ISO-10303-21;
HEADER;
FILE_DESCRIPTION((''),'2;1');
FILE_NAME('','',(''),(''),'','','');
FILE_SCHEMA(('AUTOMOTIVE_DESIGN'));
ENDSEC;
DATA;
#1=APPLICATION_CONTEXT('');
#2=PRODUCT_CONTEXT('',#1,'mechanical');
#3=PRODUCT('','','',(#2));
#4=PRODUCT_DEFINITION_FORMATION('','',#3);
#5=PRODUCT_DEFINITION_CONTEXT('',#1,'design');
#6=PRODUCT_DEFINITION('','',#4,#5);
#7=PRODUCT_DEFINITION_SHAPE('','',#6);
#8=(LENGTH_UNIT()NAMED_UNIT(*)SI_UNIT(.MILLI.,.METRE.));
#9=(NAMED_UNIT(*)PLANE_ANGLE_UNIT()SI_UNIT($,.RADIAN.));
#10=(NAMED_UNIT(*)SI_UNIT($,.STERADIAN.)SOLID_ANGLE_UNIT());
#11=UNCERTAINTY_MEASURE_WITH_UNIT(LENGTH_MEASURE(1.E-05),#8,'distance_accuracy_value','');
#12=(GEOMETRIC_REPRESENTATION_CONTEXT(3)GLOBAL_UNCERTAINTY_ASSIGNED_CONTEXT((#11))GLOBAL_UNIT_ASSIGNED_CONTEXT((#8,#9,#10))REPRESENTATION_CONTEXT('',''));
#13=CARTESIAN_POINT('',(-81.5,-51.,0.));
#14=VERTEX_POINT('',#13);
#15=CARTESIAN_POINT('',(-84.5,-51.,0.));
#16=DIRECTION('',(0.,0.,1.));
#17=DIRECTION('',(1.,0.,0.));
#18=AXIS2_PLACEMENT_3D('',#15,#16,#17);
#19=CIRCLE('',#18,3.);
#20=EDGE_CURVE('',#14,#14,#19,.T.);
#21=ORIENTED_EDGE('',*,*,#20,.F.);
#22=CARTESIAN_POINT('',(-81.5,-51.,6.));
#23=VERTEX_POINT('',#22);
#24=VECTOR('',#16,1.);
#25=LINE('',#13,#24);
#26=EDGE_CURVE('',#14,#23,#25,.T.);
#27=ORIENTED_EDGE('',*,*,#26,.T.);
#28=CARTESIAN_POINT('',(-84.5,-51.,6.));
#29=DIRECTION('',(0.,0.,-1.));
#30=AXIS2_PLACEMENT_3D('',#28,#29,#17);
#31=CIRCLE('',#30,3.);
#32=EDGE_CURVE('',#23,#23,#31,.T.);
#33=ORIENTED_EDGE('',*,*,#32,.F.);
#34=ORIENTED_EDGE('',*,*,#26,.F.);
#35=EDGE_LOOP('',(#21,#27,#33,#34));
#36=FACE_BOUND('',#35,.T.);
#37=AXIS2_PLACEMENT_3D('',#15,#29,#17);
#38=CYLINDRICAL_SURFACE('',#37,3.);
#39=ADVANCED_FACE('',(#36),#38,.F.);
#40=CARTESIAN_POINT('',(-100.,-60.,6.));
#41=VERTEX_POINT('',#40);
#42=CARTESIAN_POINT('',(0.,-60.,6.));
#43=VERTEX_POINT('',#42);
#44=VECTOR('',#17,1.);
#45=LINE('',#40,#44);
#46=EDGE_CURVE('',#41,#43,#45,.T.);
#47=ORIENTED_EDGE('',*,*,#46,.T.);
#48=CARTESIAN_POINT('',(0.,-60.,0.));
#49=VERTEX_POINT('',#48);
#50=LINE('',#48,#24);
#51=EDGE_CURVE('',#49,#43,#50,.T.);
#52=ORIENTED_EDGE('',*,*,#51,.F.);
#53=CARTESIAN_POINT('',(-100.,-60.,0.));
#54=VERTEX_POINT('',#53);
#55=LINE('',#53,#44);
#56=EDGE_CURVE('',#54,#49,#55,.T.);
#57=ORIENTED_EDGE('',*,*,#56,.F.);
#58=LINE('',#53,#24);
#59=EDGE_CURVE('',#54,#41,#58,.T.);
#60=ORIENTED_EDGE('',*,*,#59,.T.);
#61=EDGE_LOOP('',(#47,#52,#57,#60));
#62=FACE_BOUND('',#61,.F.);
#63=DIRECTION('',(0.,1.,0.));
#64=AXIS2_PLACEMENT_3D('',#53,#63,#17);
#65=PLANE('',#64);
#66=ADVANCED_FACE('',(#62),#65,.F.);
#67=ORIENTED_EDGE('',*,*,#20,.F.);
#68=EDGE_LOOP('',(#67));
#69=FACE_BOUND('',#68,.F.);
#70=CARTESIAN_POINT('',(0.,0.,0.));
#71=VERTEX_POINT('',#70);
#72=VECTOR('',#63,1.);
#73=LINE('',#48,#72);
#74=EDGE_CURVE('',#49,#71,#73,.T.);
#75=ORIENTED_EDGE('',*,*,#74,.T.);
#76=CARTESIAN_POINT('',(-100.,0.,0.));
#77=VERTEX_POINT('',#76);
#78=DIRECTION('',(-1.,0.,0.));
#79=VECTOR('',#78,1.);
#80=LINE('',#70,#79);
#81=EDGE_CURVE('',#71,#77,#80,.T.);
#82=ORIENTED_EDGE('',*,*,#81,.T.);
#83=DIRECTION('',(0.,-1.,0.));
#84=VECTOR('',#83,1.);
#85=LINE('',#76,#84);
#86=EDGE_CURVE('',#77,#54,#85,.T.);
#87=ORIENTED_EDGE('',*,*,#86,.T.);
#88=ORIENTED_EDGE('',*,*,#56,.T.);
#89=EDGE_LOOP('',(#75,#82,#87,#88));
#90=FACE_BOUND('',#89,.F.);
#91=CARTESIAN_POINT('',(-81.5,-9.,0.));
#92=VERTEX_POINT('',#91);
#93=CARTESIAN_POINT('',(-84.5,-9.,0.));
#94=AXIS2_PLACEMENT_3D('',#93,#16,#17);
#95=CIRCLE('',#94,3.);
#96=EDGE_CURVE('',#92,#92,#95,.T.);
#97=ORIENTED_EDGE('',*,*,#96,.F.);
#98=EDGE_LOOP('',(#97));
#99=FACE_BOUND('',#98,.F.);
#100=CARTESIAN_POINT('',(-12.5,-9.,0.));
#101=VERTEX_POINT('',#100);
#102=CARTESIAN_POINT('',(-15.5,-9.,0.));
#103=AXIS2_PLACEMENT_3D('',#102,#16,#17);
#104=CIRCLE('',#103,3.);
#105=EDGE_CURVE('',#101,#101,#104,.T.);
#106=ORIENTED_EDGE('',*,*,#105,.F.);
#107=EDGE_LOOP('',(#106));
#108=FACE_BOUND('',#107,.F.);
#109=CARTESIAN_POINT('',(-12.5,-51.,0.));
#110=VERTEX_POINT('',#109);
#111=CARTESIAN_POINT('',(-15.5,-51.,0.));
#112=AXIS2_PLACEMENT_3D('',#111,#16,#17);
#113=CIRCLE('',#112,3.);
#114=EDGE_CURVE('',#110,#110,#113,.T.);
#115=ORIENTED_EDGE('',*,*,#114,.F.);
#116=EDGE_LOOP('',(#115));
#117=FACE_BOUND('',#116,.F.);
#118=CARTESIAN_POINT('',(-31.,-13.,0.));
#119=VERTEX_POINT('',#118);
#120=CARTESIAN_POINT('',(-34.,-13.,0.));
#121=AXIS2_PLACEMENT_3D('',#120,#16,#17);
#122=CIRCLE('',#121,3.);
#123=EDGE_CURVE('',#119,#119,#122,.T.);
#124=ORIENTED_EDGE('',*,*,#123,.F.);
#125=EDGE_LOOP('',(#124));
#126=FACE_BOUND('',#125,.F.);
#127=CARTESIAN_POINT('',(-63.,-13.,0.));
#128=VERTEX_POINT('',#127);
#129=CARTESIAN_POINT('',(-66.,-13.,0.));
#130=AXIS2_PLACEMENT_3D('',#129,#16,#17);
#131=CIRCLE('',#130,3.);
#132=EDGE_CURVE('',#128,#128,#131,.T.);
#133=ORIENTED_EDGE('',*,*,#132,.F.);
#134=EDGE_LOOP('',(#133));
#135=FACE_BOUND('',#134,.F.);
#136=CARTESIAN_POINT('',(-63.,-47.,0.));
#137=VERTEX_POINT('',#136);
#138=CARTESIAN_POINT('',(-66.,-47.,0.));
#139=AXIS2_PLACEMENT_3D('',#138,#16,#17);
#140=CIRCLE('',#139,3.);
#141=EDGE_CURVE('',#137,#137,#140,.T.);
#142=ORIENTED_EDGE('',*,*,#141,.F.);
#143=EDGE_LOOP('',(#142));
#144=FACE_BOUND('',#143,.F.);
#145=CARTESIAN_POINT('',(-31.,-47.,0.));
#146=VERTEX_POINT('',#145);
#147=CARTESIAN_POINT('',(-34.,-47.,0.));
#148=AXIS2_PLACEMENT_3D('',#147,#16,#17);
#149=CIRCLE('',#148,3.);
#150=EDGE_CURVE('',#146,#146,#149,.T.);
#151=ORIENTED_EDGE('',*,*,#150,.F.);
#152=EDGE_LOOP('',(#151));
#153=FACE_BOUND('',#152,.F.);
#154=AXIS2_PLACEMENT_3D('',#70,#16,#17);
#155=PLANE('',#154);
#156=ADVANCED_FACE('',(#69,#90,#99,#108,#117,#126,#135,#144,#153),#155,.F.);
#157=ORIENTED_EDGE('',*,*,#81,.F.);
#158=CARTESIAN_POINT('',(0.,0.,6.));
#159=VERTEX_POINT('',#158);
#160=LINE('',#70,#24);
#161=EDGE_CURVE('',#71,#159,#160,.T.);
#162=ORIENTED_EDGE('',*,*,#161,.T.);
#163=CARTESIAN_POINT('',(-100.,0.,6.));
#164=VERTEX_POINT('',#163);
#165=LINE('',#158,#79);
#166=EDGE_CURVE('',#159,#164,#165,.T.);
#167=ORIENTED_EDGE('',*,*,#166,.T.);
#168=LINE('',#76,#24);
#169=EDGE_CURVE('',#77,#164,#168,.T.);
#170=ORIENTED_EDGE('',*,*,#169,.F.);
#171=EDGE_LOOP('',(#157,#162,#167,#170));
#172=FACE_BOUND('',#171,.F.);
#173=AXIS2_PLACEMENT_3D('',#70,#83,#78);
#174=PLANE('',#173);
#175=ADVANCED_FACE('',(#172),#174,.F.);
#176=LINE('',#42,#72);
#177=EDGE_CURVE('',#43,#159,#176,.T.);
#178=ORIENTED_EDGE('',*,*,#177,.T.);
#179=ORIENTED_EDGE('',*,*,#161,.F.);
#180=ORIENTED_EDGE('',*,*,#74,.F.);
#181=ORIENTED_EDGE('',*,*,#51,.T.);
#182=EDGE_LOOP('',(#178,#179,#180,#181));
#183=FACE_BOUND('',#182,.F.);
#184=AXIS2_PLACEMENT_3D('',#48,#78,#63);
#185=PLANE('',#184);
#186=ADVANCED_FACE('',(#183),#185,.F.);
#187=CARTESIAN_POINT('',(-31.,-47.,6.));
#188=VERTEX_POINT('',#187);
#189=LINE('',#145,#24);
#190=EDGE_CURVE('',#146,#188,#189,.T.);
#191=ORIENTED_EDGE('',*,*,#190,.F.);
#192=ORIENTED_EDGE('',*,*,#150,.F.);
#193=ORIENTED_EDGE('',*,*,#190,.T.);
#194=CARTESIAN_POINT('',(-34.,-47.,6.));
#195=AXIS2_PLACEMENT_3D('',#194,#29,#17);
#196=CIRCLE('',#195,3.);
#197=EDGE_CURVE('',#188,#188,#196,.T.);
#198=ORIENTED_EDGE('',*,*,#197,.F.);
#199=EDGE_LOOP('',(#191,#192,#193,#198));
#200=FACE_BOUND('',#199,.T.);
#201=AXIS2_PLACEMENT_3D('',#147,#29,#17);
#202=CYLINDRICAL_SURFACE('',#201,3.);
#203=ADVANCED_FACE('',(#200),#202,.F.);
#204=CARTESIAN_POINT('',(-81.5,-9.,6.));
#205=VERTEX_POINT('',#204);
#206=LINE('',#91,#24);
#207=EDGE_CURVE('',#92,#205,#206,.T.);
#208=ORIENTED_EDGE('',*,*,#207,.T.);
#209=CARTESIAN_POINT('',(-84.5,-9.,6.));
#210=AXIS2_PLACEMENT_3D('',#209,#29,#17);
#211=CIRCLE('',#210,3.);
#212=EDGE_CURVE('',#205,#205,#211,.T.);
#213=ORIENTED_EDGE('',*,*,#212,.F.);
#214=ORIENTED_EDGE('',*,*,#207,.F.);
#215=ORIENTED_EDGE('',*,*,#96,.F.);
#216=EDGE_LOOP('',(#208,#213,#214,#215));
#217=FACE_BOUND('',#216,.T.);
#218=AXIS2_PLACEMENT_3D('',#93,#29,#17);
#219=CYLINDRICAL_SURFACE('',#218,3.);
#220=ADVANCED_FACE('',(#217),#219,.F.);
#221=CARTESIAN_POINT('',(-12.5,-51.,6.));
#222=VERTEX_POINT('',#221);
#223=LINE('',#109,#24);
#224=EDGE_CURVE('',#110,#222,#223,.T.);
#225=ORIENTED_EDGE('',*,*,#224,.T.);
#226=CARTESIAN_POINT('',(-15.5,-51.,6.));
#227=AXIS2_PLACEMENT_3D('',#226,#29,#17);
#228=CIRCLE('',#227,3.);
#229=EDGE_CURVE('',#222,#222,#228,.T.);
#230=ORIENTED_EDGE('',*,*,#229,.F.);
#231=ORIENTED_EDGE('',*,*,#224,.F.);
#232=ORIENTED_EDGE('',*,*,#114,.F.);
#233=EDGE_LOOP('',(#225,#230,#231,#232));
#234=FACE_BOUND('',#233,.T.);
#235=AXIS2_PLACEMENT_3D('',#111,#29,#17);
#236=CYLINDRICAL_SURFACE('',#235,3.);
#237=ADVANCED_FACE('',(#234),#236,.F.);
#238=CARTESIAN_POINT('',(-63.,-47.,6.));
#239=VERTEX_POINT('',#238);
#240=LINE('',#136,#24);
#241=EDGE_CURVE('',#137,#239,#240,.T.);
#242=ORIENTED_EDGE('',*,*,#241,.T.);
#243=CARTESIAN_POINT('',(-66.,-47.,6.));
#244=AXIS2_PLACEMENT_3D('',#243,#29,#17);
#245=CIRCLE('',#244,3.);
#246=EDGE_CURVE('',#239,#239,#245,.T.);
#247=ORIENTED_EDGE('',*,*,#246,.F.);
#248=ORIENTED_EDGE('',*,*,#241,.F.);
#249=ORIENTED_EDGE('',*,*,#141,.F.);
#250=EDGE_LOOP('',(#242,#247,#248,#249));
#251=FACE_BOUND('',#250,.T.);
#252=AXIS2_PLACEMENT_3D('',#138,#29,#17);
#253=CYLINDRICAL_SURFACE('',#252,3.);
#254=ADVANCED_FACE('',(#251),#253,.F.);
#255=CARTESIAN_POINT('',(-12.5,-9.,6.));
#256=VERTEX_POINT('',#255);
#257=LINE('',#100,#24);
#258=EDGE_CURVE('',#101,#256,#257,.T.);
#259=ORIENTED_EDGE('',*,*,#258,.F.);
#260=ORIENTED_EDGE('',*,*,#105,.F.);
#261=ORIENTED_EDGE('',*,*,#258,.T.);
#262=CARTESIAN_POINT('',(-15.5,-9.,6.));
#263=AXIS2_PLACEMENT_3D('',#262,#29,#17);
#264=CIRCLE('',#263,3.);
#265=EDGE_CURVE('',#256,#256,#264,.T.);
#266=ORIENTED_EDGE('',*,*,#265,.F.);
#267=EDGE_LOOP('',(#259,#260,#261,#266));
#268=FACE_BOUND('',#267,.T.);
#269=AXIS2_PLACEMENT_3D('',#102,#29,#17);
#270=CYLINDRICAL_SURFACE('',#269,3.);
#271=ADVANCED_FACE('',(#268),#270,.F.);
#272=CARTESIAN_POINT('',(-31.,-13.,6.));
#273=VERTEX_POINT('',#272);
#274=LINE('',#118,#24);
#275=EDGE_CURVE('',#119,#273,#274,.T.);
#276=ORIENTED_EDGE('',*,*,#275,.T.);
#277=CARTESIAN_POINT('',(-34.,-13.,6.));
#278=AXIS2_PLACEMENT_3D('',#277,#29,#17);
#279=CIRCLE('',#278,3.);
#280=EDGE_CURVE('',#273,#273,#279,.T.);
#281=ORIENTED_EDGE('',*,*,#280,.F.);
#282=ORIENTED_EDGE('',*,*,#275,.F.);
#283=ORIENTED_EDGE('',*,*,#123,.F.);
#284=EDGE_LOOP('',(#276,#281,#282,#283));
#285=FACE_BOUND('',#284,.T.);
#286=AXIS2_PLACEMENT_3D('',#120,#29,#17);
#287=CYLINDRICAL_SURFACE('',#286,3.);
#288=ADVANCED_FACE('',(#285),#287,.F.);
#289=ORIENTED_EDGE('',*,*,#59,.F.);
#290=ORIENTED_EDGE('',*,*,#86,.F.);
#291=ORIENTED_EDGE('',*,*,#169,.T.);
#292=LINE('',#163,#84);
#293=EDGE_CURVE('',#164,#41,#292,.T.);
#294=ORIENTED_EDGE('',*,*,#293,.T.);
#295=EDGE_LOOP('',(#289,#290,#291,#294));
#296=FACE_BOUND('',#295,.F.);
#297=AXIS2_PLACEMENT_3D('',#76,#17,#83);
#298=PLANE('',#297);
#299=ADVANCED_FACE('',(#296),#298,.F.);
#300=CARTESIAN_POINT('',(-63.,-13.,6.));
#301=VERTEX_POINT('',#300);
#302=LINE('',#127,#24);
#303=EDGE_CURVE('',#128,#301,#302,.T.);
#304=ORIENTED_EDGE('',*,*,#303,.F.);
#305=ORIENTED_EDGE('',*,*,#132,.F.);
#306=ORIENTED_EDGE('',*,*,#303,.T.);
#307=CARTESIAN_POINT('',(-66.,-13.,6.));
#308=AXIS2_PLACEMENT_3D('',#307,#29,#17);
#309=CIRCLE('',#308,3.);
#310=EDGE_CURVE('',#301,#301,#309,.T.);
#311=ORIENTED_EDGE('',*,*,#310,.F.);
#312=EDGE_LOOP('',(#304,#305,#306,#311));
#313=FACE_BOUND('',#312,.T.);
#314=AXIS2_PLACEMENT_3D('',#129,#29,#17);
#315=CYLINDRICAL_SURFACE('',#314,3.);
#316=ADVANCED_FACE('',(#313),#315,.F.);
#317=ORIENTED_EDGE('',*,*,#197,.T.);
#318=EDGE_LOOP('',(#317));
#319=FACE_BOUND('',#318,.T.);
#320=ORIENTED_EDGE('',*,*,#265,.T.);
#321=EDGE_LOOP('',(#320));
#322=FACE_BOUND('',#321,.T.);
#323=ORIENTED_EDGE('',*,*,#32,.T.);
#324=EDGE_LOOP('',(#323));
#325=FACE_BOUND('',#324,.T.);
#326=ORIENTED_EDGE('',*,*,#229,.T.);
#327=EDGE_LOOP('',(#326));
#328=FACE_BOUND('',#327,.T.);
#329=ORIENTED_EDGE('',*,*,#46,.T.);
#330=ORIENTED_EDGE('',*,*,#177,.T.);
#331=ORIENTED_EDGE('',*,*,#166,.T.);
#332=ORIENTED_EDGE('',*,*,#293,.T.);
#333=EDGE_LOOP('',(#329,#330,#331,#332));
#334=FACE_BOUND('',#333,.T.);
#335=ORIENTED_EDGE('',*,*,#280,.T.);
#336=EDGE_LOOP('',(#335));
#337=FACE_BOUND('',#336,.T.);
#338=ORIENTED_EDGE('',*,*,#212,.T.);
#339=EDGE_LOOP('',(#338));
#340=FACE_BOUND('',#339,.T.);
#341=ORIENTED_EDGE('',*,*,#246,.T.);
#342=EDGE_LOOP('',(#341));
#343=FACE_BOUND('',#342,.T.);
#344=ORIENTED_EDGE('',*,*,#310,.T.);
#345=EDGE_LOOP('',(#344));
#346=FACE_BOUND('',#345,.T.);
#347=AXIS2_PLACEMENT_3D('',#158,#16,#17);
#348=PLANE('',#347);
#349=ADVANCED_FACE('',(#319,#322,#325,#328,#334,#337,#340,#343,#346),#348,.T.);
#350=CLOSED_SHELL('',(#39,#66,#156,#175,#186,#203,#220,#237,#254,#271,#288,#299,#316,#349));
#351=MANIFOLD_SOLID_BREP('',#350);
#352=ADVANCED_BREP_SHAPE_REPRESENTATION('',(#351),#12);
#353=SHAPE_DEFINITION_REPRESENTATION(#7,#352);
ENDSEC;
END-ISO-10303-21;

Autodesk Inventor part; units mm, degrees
ref_plane "YZ Plane" through (0, 0, 0) normal (1, 0, 0) x (0, 1, 0)
ref_plane "XZ Plane" through (0, 0, 0) normal (0, 1, 0) x (-1, 0, 0)
ref_plane "XY Plane" through (0, 0, 0) normal (0, 0, 1) x (1, 0, 0)
sketch "Sketch1" plane through (0, 0, 0) normal (0, 0, 1) x (1, 0, 0)
  line L0 (0, 0) -> (-100, 0)
  line L1 (-100, 0) -> (-100, -60)
  line L2 (-100, -60) -> (0, -60)
  line L3 (0, -60) -> (0, 0)
  circle A0 centre (-15.5, -9) radius 3
  circle A1 centre (-15.5, -51) radius 3
  circle A2 centre (-34, -47) radius 3
  circle A3 centre (-66, -47) radius 3
  circle A4 centre (-34, -13) radius 3
  circle A5 centre (-66, -13) radius 3
  circle A6 centre (-84.5, -9) radius 3
  circle A7 centre (-84.5, -51) radius 3
  line L4 (-66, -47) -> (-66, -13)
  line L5 (-66, -13) -> (-34, -13)
  line L6 (-34, -13) -> (-34, -47)
  line L7 (-34, -47) -> (-66, -47)
  line L8 (-84.5, -51) -> (-84.5, -9)
  line L9 (-15.5, -51) -> (-15.5, -9)
  line L10 (-15.5, -51) -> (-84.5, -51)
  line L11 (-84.5, -9) -> (-15.5, -9)
  dimension "d0" = 100
  dimension "d1" = 60
  dimension "d4" = 6
  dimension "d5" = 6
  dimension "d6" = 6
  dimension "d7" = 6
  dimension "d8" = 34
  dimension "d9" = 32
  dimension "d10" = 13
  dimension "d11" = 34
  dimension "d12" = 6
  dimension "d13" = 6
  dimension "d14" = 6
  dimension "d15" = 6
  dimension "d16" = 42
  dimension "d17" = 69
  dimension "d18" = 9
  dimension "d19" = 15.5
extrude "Extrusion1" add sketch "Sketch1" along normal blind 6 contours L3 L2 L1 L0 | A0 L9 A1 L10 A7 L8 A6 L11 | A2 L7 A3 L4 A5 L5 A4 L6
equation "\"d5\" = d4"
equation "\"d6\" = d4"
equation "\"d7\" = d4"
equation "\"d10\" = -0.5 * d8 + 0.5 * d1"
equation "\"d11\" = -0.5 * d9 + 0.5 * d0"
equation "\"d13\" = d12"
equation "\"d14\" = d12"
equation "\"d15\" = d12"
equation "\"d18\" = -0.5 * d16 + 0.5 * d1"
equation "\"d19\" = -0.5 * d17 + 0.5 * d0"
properties part number "interplate" material "PMMA Plastic"
